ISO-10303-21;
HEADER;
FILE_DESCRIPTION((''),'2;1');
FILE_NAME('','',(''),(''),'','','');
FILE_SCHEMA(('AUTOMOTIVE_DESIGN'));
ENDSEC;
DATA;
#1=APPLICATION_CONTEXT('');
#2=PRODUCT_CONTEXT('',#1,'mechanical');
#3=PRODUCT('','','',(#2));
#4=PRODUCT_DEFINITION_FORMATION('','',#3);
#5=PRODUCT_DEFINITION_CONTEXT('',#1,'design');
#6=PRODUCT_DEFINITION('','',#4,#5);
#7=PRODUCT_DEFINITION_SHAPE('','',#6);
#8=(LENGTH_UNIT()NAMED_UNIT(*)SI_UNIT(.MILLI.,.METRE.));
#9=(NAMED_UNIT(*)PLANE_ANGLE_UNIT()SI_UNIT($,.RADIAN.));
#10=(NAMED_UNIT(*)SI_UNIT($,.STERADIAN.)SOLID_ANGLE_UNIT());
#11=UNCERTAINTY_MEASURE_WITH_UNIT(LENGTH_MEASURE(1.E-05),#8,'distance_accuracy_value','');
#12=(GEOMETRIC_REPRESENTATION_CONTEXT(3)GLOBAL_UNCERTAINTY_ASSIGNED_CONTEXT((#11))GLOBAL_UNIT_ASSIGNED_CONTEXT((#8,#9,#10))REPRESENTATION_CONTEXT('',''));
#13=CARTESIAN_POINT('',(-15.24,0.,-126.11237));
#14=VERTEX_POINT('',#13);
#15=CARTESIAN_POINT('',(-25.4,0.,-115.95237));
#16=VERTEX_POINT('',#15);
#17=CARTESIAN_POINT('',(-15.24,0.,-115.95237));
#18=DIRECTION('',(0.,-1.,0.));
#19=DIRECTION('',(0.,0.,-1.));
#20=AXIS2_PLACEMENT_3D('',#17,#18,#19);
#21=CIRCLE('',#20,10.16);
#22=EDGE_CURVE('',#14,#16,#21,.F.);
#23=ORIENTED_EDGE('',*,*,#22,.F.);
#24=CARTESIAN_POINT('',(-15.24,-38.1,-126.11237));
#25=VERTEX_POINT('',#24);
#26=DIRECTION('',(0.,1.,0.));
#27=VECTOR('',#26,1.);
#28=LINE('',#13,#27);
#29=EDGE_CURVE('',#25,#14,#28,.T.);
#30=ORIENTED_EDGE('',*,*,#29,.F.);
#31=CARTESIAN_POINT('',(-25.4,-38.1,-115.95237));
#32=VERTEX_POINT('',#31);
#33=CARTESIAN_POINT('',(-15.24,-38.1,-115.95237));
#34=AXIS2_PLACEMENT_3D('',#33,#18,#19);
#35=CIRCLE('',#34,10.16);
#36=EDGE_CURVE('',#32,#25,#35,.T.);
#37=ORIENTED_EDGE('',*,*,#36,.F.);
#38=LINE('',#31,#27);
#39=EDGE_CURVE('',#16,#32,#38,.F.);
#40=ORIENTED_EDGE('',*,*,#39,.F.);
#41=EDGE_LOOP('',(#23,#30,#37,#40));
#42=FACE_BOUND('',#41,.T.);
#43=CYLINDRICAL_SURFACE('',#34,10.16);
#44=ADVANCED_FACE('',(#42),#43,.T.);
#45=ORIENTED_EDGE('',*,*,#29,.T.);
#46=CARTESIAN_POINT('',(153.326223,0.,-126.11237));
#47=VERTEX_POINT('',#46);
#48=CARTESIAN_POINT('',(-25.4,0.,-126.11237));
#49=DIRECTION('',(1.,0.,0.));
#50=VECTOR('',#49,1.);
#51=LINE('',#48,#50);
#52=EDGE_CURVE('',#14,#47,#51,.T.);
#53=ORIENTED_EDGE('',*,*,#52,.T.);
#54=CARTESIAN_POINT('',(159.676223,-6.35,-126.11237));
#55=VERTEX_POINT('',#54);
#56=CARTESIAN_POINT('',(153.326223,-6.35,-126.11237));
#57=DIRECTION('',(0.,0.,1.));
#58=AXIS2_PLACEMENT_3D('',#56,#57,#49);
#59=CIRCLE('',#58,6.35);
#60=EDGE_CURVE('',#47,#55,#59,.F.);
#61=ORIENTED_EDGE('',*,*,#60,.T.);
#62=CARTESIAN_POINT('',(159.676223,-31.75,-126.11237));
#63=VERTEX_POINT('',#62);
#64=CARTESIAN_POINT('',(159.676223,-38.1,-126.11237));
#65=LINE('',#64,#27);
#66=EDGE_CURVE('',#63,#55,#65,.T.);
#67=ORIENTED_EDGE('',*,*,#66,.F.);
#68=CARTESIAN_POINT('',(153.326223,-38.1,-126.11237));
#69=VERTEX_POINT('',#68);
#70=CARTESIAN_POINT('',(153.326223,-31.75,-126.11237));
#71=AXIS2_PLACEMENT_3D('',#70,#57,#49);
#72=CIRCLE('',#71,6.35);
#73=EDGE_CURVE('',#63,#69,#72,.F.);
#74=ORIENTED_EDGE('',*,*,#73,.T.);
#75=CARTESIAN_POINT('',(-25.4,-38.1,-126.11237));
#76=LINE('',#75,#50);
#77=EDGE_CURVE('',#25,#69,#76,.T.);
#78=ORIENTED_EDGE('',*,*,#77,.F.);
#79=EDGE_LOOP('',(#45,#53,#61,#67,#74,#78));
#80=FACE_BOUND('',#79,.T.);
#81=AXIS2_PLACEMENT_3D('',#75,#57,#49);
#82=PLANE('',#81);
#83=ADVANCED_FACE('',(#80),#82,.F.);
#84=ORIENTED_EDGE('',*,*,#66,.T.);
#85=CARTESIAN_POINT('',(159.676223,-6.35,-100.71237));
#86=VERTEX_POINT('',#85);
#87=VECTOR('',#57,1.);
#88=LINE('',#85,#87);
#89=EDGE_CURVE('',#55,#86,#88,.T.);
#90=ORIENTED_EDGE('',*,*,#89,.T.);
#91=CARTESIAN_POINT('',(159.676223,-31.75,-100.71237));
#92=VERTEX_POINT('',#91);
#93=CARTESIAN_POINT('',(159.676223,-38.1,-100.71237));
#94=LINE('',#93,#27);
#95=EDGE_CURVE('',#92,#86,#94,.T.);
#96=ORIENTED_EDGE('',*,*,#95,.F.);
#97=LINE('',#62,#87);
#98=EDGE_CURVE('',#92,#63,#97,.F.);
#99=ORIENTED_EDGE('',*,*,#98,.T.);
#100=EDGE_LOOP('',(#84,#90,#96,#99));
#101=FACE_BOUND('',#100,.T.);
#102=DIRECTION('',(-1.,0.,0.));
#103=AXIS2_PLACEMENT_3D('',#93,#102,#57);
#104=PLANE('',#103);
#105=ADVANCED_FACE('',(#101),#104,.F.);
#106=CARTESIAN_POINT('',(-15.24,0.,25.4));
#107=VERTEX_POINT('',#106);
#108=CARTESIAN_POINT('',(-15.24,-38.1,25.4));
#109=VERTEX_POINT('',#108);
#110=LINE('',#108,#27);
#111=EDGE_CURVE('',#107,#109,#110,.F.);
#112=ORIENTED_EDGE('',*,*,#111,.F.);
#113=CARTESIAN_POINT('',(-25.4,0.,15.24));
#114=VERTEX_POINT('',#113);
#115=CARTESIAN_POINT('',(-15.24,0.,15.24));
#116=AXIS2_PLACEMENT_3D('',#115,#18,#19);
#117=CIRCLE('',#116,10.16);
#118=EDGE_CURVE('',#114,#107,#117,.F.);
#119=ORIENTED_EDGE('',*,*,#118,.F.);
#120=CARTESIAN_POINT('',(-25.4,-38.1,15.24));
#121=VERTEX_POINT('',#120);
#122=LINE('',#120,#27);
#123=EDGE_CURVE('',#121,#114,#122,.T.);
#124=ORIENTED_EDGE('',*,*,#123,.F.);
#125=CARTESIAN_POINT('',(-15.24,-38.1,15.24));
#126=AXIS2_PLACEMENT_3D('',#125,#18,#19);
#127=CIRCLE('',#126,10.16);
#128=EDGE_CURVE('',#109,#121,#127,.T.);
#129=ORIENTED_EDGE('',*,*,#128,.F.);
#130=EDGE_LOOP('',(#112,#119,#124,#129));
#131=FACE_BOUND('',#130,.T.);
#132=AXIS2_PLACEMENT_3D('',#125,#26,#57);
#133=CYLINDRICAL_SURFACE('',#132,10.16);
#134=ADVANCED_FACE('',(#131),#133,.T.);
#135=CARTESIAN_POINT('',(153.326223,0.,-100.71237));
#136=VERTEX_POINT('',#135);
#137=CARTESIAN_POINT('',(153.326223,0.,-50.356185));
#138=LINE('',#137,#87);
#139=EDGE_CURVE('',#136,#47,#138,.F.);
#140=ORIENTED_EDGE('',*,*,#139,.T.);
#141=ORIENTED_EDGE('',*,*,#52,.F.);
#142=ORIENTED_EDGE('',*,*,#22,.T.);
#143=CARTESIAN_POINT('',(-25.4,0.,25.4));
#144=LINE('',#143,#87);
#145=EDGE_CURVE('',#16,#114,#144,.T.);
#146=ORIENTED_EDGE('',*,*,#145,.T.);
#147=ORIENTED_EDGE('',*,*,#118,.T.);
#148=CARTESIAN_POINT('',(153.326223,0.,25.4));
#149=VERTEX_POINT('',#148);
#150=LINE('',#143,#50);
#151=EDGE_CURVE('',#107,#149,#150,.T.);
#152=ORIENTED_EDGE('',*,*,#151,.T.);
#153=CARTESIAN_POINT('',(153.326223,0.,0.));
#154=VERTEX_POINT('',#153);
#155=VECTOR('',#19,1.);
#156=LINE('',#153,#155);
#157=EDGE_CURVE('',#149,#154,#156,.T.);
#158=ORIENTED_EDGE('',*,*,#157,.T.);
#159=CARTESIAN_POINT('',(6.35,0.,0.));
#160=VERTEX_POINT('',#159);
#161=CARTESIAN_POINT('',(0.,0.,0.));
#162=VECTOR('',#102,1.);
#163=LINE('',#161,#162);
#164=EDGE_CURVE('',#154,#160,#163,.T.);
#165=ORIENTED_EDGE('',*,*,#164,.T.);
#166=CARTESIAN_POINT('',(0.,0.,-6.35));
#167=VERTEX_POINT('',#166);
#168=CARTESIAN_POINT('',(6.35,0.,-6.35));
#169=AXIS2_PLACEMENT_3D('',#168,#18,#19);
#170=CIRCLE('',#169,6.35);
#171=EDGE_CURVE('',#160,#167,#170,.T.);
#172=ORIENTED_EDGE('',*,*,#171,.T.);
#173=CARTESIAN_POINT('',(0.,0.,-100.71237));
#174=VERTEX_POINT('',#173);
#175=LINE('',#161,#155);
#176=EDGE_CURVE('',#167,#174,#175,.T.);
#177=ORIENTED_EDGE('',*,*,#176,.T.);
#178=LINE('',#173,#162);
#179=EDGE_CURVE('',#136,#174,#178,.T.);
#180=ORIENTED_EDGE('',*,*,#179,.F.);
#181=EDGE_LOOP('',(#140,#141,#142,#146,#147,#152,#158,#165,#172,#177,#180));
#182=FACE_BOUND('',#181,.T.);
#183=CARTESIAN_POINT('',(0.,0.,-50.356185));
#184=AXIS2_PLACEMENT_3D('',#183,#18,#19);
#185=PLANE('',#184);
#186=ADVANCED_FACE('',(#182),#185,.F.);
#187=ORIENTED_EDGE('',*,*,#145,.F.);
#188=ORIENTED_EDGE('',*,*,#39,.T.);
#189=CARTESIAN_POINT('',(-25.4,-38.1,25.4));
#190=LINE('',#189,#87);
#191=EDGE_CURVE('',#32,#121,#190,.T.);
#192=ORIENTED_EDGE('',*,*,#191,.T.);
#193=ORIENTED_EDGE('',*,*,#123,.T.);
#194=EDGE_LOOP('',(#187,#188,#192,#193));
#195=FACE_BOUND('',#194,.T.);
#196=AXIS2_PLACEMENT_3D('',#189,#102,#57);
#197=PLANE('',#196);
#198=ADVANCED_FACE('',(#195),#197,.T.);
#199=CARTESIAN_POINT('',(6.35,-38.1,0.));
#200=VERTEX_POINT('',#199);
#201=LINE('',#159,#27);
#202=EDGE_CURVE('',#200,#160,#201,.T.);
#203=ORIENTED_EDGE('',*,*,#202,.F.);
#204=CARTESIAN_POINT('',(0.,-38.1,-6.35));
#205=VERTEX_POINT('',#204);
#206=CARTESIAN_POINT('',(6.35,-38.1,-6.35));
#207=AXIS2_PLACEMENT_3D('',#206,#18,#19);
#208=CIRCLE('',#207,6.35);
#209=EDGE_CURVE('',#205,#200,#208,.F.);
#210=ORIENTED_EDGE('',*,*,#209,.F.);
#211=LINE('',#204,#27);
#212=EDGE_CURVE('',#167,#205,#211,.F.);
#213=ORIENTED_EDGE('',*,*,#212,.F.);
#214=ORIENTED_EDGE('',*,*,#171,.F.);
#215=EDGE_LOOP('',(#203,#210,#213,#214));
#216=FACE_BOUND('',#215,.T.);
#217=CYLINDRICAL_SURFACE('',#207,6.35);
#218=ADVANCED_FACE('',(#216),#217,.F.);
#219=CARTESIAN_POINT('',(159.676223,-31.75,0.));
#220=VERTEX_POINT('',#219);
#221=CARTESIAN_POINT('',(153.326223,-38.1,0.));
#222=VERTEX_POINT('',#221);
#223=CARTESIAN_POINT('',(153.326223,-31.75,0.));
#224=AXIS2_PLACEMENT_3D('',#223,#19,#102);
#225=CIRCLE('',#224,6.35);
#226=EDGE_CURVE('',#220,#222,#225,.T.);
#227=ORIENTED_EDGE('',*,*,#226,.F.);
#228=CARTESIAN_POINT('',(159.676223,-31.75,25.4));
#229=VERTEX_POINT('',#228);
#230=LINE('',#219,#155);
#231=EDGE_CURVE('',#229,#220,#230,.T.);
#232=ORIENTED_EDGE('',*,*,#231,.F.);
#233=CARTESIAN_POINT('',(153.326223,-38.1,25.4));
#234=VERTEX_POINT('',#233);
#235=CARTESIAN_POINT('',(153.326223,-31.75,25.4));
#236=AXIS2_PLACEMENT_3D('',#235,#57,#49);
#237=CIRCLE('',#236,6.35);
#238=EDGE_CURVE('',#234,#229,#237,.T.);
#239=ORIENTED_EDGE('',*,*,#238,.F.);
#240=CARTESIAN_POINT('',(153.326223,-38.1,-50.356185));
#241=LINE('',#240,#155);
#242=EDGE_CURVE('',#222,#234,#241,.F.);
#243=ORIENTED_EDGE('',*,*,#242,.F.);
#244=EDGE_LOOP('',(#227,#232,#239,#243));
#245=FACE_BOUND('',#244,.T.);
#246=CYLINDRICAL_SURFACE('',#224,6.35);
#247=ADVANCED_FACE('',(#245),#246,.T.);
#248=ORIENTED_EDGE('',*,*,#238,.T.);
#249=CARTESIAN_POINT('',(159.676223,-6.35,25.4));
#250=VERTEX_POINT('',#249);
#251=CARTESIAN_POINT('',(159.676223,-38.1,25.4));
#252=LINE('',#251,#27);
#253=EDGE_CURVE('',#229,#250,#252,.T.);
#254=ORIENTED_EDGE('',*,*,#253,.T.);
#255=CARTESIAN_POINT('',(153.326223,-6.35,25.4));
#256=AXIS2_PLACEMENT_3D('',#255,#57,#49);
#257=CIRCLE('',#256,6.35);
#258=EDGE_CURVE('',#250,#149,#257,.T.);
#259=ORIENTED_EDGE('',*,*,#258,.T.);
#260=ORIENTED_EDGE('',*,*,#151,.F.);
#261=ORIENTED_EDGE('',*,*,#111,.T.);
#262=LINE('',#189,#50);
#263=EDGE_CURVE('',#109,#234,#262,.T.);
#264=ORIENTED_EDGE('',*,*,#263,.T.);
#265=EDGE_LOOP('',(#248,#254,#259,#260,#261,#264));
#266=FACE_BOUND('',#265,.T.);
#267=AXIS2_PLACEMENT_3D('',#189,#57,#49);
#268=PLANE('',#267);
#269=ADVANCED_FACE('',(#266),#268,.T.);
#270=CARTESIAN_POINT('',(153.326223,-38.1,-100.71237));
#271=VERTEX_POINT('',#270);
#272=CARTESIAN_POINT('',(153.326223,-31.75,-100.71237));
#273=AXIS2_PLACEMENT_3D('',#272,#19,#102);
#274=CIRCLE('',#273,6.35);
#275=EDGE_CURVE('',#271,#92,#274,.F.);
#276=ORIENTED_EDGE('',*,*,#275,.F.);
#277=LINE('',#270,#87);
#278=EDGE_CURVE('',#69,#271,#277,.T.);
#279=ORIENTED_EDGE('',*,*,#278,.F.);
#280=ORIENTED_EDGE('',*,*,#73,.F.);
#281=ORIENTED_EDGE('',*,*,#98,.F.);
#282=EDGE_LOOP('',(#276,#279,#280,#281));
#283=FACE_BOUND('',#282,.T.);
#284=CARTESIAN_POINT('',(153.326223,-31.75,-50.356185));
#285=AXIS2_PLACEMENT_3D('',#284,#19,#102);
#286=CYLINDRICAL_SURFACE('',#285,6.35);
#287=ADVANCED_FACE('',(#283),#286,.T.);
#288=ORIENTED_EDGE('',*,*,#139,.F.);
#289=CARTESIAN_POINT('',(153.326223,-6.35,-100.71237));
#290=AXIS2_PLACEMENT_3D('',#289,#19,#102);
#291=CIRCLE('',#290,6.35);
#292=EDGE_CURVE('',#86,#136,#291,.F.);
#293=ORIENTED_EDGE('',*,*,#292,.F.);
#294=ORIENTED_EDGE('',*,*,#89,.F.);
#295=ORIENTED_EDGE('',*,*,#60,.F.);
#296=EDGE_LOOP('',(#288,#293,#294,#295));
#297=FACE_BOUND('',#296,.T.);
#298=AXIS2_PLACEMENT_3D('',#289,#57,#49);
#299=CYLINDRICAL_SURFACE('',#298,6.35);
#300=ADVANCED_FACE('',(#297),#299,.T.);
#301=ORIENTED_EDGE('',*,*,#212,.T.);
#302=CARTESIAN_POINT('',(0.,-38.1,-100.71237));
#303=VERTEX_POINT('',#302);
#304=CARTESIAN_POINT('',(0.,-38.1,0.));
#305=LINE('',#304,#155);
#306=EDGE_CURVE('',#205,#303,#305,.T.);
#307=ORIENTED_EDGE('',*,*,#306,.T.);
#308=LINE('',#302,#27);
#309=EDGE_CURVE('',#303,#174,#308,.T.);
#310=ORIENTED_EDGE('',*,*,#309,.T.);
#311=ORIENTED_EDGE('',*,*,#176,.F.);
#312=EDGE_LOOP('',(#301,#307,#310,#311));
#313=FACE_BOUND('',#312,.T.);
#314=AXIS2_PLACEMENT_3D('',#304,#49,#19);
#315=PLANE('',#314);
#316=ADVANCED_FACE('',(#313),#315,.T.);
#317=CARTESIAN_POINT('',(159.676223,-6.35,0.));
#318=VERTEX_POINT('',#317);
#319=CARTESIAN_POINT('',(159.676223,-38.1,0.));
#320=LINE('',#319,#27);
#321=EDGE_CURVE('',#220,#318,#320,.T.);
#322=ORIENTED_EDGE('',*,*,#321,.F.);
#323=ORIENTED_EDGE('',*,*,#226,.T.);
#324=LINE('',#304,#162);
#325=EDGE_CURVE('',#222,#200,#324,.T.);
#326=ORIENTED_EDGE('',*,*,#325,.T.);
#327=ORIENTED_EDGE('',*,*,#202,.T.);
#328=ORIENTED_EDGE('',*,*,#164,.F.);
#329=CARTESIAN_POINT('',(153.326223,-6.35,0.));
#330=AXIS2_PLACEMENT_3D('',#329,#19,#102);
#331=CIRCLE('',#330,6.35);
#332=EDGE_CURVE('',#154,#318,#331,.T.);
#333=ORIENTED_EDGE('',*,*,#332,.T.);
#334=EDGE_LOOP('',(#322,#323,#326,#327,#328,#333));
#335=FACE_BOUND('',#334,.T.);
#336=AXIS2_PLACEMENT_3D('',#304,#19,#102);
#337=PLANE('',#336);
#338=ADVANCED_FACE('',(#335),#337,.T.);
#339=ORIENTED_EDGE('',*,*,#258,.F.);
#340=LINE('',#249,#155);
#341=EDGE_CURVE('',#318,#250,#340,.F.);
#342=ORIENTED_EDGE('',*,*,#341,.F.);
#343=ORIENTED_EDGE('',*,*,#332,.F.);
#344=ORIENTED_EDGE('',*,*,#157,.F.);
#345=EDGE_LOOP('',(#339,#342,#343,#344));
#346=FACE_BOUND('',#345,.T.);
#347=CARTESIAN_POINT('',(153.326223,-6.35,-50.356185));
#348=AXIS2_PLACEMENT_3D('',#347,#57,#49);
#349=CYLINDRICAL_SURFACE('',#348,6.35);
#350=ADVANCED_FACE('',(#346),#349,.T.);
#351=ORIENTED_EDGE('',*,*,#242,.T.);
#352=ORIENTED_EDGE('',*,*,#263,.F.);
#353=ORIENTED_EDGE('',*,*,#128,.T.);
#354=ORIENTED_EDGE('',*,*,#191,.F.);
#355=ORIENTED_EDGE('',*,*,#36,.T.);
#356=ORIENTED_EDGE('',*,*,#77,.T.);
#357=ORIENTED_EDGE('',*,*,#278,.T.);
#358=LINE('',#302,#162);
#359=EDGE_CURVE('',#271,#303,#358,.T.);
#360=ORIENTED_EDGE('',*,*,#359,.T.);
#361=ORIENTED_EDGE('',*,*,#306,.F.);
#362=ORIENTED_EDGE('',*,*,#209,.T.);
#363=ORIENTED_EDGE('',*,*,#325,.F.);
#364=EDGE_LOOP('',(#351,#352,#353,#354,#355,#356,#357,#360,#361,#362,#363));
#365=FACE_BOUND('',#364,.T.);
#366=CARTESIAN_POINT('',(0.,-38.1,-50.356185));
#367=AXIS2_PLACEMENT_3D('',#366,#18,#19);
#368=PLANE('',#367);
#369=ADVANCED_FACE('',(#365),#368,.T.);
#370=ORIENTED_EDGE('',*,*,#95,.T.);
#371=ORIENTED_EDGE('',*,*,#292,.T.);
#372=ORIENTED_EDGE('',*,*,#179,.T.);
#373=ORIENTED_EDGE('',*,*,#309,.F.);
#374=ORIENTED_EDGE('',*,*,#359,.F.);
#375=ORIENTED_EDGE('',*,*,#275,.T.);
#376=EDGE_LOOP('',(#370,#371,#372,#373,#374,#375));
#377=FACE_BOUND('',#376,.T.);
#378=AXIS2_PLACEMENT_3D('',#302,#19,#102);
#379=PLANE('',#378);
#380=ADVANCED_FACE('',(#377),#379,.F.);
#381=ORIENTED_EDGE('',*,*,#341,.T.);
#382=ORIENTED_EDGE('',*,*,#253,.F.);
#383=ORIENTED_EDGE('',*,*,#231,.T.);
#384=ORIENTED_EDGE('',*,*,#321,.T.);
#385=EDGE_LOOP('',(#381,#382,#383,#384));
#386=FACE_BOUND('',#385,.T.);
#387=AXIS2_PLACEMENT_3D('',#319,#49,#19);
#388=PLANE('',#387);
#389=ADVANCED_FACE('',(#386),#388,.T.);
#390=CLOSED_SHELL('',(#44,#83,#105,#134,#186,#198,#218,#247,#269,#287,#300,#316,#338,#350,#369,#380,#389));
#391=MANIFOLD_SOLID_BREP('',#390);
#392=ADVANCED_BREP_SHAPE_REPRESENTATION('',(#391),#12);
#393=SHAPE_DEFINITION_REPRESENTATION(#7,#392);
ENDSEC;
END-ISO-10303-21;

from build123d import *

# Parameters (mm, degrees)
EXTRUDE4_DEPTH       = 38.1
FILLET1_R            = 6.35
FILLET2_R            = 10.16
FILLET2_OF_MIRROR1_R = 10.16
FILLET4_R            = 6.35


with BuildPart() as part:
    # Sketch4 → Extrude4 (new body)
    with BuildSketch(Plane(origin=(0, 0, 0), x_dir=(1, 0, 0), z_dir=(0, 1, 0))):
        Polygon((-25.4, -25.4), (159.67622317, -25.4), (159.67622317, 0), (0, 0), (0, 50.356184866), (-25.4, 50.356184866), align=None)
    extrude4 = extrude(amount=-EXTRUDE4_DEPTH)

    # Fillet1
    fillet1_edges = [part.edges().sort_by_distance(p)[0] for p in [
        (0, -19.05, 0),
        (159.67622317, -38.1, 12.7),
        (159.67622317, 0, 12.7),
    ]]
    fillet(fillet1_edges, radius=FILLET1_R)

    # Fillet2
    fillet2_edges = [part.edges().sort_by_distance(p)[0] for p in [
        (-25.4, -19.05, 25.4),
    ]]
    fillet(fillet2_edges, radius=FILLET2_R)

    # Mirror1: Extrude4 across plane
    add(extrude4.mirror(Plane(origin=(-25.4, -38.1, -50.356184866), x_dir=(1, 0, 0), z_dir=(0, 0, -1))))

    # Fillet2 of Mirror1
    fillet2_of_mirror1_edges = [part.edges().sort_by_distance(p)[0] for p in [
        (-25.4, -19.05, -126.112369731),
    ]]
    fillet(fillet2_of_mirror1_edges, radius=FILLET2_OF_MIRROR1_R)

    # Fillet4
    fillet4_edges = [part.edges().sort_by_distance(p)[0] for p in [
        (159.67622317, 0, -113.412369731),
        (159.67622317, -38.1, -113.412369731),
    ]]
    fillet(fillet4_edges, radius=FILLET4_R)


solid = part.part
